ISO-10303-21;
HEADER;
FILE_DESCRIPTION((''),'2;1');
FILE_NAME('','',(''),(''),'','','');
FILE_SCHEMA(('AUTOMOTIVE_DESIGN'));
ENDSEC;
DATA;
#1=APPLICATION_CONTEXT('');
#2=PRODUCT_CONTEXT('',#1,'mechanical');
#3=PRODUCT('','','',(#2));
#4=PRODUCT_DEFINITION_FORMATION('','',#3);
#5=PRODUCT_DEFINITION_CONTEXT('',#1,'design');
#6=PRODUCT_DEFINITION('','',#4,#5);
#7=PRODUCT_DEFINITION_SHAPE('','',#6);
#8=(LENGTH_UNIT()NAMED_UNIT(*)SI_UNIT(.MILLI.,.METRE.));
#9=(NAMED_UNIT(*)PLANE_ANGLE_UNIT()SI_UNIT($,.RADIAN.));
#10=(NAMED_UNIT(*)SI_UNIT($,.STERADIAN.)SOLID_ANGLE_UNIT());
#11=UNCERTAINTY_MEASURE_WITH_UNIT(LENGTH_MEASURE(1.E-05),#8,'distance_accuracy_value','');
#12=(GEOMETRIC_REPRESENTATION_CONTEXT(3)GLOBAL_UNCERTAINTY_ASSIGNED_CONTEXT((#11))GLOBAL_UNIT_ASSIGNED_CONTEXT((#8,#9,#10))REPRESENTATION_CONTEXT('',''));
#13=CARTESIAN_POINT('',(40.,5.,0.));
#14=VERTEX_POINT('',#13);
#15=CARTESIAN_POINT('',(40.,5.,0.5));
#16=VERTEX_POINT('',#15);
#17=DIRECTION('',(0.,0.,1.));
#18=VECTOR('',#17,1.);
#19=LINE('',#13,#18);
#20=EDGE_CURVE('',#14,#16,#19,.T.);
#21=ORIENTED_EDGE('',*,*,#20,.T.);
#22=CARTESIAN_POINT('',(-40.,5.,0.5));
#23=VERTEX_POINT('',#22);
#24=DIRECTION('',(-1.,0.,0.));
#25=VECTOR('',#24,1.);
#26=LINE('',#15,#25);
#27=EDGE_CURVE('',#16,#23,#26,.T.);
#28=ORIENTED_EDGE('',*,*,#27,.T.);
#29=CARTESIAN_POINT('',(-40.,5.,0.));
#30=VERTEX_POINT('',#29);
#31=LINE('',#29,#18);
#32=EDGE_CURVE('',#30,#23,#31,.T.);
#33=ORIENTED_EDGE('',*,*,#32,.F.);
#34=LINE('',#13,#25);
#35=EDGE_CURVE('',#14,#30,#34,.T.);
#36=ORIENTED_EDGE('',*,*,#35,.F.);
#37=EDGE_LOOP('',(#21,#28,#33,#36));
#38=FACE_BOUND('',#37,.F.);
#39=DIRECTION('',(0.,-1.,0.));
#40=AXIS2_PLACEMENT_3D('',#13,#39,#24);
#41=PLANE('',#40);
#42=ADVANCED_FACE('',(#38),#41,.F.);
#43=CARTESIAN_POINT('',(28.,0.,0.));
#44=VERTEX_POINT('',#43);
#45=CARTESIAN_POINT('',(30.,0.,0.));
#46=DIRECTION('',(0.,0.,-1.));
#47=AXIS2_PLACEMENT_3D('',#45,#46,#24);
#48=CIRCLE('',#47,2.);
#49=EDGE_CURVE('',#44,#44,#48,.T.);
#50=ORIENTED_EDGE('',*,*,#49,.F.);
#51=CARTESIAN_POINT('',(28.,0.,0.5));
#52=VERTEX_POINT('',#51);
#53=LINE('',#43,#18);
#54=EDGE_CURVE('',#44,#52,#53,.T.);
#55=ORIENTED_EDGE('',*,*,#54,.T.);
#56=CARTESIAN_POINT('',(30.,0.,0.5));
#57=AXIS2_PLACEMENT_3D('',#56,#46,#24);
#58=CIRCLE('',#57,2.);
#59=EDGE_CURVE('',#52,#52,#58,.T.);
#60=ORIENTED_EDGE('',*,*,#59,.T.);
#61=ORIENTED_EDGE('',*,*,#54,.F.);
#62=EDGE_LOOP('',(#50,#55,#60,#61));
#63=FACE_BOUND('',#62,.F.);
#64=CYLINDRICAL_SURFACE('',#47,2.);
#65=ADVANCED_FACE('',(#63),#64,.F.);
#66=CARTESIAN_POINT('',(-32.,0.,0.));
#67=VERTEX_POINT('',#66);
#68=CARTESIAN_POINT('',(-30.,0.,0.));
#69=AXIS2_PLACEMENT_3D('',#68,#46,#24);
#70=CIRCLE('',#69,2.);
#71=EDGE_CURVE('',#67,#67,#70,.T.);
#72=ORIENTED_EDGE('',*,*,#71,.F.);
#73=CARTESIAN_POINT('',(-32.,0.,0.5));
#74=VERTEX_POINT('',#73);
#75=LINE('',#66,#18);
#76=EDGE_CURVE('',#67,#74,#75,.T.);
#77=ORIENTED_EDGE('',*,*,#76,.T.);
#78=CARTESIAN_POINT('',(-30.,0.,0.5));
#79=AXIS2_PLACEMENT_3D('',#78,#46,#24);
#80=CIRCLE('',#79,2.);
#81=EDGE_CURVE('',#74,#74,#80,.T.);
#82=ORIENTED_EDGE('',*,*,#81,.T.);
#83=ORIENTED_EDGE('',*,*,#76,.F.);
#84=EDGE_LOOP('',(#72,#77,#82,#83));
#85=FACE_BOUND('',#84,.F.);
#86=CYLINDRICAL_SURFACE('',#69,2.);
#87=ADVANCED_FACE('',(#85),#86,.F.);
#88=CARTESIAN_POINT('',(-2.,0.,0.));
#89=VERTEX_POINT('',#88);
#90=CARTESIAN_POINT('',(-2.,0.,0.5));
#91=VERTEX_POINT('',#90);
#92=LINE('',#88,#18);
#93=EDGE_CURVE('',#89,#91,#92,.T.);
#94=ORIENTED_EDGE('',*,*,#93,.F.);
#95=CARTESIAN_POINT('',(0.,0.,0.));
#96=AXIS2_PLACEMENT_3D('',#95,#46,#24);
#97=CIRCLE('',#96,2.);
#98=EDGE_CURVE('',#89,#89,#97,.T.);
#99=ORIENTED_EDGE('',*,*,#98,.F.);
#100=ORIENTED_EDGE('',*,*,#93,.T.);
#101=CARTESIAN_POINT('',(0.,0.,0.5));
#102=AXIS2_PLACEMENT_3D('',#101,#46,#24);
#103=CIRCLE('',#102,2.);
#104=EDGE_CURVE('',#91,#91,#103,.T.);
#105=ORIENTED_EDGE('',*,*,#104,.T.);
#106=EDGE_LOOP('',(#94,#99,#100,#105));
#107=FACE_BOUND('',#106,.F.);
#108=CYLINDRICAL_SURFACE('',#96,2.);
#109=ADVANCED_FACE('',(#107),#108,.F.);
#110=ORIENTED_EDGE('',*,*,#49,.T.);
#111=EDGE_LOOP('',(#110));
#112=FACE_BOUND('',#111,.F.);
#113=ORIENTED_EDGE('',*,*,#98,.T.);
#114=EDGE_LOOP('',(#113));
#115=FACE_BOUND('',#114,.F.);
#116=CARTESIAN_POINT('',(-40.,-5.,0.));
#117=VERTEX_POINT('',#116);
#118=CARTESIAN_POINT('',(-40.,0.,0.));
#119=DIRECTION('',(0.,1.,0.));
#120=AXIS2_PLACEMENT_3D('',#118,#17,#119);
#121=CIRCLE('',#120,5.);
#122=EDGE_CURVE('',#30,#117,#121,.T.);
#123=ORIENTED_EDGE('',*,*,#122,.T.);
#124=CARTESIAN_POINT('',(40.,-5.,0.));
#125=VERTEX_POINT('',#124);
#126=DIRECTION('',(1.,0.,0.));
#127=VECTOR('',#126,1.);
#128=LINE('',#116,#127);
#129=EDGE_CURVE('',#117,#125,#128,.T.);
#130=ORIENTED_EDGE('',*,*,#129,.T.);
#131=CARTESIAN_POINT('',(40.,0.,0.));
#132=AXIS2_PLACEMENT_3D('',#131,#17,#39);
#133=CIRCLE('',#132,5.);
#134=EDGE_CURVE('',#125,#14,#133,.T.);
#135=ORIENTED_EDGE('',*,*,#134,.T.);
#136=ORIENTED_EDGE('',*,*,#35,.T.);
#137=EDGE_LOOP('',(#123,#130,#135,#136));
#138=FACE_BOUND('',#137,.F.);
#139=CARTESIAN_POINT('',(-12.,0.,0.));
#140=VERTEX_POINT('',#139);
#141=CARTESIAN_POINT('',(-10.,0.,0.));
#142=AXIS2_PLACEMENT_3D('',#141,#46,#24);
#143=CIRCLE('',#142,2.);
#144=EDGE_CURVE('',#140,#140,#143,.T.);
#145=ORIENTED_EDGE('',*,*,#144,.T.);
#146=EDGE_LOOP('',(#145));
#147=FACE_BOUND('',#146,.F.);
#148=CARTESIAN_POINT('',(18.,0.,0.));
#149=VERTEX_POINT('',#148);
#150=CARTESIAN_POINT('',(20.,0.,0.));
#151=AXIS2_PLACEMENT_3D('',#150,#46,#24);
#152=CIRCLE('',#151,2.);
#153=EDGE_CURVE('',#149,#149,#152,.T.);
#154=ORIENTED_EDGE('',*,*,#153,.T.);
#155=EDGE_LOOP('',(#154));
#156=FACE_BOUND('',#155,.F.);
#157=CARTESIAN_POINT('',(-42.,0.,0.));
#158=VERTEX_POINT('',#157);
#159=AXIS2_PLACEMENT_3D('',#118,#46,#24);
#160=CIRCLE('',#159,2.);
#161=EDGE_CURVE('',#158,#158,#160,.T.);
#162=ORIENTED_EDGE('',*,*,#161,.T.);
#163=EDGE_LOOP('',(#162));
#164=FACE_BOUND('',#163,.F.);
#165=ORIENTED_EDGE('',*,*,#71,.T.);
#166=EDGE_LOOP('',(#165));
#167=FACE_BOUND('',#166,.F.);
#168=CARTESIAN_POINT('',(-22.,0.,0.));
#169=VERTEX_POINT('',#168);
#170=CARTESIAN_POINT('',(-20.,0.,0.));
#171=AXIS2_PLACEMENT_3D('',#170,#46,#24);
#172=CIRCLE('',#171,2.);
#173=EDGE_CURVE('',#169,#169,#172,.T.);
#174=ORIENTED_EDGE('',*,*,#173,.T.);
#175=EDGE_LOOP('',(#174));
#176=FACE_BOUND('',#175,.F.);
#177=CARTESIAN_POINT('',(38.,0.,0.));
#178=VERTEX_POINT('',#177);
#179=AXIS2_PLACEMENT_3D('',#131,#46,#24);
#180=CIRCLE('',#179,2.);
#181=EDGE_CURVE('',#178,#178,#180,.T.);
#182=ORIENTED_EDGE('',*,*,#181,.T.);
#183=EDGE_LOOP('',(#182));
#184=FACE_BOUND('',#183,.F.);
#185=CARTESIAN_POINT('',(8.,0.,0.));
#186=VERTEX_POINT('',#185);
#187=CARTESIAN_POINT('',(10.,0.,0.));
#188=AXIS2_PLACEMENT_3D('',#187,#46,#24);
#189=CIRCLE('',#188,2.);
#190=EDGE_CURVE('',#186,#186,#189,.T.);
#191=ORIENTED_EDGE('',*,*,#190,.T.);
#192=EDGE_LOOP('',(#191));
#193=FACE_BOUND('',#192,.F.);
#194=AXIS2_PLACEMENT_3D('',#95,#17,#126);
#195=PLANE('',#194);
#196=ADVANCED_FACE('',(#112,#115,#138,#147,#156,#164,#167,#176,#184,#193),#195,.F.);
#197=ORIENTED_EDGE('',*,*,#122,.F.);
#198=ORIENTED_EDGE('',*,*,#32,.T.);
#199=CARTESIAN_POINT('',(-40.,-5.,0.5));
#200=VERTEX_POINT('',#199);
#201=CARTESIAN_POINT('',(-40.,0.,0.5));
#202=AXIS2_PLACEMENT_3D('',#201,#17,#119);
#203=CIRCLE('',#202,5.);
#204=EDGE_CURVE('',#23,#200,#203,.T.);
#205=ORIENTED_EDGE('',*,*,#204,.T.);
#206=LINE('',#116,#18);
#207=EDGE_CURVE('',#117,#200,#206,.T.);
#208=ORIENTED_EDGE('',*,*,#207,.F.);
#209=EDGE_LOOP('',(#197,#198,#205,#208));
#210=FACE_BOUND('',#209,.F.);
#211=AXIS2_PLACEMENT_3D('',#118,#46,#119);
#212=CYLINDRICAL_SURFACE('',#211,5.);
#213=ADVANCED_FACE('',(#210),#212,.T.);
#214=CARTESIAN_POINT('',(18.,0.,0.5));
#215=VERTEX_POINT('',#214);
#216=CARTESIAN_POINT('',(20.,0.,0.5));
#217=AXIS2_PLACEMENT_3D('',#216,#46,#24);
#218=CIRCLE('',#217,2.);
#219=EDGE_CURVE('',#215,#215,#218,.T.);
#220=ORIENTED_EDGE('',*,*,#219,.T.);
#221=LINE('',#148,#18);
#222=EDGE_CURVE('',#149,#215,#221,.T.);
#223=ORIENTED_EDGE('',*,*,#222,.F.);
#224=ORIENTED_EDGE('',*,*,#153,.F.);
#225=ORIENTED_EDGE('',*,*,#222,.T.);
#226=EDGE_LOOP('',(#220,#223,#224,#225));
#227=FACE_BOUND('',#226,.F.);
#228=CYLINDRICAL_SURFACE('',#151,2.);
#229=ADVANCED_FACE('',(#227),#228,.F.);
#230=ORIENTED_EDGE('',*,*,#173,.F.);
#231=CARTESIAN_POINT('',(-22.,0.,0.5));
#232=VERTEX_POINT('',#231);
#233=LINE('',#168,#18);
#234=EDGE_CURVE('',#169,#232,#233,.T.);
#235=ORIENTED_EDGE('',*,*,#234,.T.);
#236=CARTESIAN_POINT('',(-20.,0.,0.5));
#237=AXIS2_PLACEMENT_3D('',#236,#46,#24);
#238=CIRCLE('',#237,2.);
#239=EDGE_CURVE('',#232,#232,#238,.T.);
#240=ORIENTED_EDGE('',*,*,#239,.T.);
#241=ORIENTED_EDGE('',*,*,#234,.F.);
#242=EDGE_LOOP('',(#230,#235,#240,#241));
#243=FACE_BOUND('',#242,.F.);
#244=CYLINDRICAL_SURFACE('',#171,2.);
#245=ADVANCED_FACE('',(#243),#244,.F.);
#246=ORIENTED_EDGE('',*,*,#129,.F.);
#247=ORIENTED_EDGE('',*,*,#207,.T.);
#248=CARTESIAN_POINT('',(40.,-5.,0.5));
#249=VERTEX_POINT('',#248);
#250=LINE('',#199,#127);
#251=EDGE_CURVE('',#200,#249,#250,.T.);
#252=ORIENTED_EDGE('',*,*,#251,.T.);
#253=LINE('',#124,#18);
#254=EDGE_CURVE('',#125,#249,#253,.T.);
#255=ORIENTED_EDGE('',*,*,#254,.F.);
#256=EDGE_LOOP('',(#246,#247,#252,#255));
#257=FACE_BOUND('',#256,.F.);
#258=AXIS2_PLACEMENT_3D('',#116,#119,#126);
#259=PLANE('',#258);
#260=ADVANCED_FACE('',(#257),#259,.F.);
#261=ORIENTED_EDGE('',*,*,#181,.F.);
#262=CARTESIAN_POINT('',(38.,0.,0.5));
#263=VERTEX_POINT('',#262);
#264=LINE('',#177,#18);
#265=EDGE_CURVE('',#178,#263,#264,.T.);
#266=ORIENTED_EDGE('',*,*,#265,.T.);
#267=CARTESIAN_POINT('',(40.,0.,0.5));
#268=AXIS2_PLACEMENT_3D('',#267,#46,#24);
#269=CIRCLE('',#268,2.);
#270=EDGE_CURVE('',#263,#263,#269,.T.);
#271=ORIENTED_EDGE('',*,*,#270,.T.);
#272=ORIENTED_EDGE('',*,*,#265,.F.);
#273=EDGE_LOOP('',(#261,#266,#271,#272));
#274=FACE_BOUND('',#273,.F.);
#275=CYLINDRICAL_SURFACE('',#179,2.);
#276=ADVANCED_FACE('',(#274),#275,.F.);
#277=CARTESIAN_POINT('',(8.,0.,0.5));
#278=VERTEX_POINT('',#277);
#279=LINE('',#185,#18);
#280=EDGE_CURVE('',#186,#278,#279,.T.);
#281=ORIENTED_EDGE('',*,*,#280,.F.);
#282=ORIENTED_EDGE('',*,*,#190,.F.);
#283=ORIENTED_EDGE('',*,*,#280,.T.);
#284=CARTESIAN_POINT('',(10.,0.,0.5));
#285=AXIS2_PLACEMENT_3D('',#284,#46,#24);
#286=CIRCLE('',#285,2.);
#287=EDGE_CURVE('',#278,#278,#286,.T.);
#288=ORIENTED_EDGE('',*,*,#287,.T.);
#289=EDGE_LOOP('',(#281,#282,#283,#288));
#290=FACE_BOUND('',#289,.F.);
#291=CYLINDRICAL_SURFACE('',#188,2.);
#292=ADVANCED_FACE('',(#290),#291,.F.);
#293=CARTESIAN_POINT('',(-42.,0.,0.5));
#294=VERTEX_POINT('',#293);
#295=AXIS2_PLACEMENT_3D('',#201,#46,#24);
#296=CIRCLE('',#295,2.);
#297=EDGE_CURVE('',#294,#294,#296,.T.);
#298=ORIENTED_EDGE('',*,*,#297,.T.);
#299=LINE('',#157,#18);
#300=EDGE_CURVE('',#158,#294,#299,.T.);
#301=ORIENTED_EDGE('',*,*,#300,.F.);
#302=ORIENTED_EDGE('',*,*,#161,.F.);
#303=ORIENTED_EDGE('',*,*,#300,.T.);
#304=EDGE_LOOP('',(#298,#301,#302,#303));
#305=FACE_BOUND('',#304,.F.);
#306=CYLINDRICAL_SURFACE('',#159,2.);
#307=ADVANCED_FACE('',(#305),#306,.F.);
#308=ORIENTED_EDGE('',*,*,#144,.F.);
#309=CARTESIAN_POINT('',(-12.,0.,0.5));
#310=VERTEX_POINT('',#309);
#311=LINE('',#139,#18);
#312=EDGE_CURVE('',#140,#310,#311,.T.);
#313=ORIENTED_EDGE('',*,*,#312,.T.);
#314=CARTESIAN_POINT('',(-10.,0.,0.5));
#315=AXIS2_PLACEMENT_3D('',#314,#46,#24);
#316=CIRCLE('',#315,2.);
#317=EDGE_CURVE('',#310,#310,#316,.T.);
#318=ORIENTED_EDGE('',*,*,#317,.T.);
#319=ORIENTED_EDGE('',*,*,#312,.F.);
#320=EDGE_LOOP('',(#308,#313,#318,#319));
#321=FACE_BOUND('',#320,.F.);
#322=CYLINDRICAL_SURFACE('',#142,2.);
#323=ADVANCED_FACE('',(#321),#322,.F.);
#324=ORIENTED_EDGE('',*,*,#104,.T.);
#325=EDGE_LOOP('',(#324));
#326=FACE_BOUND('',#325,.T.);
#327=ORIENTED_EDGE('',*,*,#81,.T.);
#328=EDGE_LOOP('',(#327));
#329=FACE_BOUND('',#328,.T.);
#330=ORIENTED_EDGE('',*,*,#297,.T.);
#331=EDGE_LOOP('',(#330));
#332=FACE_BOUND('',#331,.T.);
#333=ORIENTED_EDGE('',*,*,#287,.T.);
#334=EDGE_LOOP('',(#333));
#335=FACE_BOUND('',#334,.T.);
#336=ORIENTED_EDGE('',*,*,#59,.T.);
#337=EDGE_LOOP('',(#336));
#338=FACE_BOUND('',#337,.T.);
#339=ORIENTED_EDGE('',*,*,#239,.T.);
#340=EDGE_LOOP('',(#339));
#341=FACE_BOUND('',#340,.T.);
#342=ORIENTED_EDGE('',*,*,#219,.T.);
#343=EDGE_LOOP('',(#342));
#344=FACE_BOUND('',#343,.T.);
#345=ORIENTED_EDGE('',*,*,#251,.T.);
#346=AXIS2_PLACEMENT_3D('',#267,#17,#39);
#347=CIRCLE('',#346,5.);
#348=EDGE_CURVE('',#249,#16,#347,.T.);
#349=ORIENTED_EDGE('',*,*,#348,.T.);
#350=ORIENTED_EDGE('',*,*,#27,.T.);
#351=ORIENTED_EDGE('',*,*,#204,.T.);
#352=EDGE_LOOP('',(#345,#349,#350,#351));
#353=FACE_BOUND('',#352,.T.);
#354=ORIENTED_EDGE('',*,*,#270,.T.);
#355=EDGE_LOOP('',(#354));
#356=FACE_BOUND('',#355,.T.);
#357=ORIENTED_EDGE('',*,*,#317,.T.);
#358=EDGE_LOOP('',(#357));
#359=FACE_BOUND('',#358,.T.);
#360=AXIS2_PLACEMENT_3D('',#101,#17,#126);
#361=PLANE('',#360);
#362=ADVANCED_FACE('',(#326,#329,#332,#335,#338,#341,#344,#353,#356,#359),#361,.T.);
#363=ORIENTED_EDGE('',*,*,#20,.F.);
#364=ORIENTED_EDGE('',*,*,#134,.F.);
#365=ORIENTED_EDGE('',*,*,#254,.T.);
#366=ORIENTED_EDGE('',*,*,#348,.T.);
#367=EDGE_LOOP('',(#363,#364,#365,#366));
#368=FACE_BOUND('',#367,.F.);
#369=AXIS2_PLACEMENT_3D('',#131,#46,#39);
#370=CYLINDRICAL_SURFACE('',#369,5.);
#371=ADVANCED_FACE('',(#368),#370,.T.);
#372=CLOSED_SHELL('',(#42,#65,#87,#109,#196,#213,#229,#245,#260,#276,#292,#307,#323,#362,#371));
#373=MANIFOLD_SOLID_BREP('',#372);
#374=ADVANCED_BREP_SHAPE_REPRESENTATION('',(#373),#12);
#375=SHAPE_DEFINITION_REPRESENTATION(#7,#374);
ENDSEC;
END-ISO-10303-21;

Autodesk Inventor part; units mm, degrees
ref_plane "YZ Plane" through (0, 0, 0) normal (1, 0, 0) x (0, 1, 0)
ref_plane "XZ Plane" through (0, 0, 0) normal (0, 1, 0) x (-1, 0, 0)
ref_plane "XY Plane" through (0, 0, 0) normal (0, 0, 1) x (1, 0, 0)
sketch "Náčrt1" plane through (0, 0, 0) normal (0, 0, 1) x (1, 0, 0)
  line L0 (-40, 0) -> (40, 0) construction
  line L1 (-40, -5) -> (40, -5)
  line L2 (40, 5) -> (-40, 5)
  arc A0 (-40, 5) -> (-40, -5) centre (-40, 0) ccw
  arc A1 (40, -5) -> (40, 5) centre (40, 0) ccw
  point P0 (0, 0)
  point P1 (45, 0)
  dimension "d0" = 45
  dimension "d1" = 5
extrude "Vysunutí1" add sketch "Náčrt1" along normal blind 0.5
sketch "Náčrt2" plane through (0, 0, 0) normal (0, 0, -1) x (-1, 0, 0)
  arc A0 (40, -5) -> (40, 5) centre (40, 0) ccw projected
  circle A1 centre (40, 0) radius 2
  point P0 (0, 0)
  dimension "d4" = 4
extrude "Vysunutí2" cut sketch "Náčrt2" against normal through all
pattern_linear "Obdélníkové pole1" count 9 spacing 10 along (1, 0, 0) of "Vysunutí2"
properties part number "1009"
